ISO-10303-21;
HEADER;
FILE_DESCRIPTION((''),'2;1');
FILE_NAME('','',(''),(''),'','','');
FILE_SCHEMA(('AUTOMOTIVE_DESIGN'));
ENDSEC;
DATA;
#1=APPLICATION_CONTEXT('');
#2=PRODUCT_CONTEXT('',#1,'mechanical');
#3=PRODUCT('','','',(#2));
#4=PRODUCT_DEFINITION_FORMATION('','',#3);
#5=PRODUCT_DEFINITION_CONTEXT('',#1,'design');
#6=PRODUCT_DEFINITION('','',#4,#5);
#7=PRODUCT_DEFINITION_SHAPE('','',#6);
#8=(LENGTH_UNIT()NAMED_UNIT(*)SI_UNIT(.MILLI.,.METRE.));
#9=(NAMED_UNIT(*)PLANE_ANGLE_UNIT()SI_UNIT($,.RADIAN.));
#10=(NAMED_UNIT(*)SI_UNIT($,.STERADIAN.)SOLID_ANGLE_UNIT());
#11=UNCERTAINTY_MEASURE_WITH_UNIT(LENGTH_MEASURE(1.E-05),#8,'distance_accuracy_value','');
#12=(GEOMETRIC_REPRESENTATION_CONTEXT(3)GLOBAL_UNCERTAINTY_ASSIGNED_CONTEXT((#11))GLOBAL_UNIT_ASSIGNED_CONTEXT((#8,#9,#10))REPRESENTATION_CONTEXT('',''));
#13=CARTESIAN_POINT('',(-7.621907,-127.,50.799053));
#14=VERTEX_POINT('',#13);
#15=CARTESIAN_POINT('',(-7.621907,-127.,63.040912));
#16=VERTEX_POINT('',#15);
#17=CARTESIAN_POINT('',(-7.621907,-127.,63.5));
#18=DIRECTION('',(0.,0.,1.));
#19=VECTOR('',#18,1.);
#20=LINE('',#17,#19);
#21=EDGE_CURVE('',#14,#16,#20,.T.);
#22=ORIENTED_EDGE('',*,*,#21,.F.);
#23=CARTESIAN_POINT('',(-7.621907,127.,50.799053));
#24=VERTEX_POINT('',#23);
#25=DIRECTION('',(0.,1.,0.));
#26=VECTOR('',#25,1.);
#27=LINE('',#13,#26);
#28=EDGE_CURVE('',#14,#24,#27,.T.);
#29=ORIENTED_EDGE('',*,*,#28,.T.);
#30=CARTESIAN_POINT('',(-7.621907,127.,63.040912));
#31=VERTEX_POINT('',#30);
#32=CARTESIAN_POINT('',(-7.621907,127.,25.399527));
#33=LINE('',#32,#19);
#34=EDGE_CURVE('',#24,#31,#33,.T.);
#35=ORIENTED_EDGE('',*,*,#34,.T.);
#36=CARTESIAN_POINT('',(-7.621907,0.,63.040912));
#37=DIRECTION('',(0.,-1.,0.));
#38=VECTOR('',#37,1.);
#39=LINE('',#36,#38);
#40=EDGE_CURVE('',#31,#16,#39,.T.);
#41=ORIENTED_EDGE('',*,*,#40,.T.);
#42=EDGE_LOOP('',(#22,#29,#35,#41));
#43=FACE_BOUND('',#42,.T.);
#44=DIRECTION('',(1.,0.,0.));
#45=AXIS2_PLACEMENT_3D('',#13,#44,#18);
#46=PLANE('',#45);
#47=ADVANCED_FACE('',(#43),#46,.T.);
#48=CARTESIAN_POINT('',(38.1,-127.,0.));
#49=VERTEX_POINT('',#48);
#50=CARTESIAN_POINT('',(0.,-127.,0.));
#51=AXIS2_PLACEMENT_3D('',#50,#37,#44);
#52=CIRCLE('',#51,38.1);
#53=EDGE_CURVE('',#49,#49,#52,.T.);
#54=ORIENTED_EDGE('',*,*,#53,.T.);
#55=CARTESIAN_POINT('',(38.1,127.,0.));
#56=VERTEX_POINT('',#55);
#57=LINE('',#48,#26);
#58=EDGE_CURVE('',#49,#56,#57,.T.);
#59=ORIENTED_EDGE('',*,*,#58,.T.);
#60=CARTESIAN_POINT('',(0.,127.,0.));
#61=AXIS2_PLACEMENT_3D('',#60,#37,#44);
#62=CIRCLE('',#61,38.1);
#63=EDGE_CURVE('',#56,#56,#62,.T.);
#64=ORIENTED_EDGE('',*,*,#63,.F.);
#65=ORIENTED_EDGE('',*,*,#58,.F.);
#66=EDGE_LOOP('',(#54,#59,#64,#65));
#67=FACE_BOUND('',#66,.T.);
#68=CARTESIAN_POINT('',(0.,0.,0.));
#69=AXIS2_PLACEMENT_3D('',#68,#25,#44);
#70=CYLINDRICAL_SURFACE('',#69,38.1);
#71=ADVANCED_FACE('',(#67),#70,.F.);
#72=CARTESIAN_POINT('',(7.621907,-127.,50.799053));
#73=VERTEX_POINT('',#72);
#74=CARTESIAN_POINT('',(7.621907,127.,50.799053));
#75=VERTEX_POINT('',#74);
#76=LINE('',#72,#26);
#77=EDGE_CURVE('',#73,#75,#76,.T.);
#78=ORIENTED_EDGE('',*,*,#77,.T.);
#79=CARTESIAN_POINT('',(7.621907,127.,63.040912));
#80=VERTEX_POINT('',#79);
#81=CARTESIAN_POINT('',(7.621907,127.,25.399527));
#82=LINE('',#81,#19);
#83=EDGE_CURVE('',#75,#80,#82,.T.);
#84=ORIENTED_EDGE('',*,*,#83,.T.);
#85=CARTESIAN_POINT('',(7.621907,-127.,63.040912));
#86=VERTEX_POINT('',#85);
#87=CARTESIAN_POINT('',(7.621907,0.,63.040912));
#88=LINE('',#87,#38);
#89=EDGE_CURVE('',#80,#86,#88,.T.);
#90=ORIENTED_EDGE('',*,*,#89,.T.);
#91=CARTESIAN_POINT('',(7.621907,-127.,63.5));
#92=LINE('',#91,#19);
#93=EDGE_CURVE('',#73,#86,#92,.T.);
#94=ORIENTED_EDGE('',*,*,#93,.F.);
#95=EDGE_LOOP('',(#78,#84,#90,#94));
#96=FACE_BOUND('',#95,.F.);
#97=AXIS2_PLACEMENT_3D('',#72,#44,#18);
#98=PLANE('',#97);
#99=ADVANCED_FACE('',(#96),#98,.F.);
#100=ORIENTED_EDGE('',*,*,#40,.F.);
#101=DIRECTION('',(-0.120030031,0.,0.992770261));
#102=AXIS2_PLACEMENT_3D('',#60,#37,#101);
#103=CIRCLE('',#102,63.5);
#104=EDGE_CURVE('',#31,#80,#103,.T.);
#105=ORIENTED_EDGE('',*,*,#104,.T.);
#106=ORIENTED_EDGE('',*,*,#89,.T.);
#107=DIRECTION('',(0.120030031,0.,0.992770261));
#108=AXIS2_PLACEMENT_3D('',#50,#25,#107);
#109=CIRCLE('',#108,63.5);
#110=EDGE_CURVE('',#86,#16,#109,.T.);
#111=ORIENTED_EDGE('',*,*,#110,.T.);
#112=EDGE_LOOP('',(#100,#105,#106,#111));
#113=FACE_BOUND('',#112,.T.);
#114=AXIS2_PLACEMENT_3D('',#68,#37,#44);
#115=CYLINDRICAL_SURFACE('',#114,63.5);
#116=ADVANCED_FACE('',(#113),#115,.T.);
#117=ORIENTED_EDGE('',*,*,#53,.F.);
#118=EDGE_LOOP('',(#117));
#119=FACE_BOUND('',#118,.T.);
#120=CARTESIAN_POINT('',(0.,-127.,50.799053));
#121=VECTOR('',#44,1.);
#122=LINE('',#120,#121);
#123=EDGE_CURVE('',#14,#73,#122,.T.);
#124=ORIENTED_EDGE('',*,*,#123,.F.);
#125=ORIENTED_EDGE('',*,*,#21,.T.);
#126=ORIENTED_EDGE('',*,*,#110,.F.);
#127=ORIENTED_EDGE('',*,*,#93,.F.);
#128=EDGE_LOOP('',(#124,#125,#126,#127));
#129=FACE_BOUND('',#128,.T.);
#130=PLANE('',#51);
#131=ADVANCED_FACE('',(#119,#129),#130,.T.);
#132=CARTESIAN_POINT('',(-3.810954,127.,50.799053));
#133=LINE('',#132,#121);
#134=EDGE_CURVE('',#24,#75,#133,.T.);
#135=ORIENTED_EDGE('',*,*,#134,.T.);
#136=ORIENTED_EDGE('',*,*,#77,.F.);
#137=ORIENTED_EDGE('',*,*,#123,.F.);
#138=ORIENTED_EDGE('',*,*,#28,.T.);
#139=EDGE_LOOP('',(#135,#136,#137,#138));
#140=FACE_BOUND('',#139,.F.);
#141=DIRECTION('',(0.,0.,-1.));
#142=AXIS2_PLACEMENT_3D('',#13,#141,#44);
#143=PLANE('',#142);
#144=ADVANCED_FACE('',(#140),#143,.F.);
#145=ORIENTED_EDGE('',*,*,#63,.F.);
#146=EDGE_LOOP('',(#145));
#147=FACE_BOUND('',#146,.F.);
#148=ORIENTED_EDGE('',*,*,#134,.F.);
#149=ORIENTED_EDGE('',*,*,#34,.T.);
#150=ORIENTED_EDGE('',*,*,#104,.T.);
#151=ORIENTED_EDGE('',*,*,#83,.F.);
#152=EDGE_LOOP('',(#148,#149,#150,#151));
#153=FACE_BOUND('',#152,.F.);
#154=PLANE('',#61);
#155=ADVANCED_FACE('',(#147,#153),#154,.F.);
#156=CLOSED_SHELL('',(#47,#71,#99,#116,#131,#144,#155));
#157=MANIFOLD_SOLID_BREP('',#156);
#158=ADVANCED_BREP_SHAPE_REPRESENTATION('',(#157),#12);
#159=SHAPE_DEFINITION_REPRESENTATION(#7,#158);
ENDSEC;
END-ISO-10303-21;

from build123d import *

# Parameters (mm, degrees)
F0_R          = 63.5
F0_R_2        = 38.1
F1_DEPTH      = 127
F1_DEPTH_BACK = 127
F2_W          = 15.243814
F2_H          = 25.401894
F3_DEPTH      = 254.001


with BuildPart() as f1:
    # F0 (on Front) → F1 (new body, two sides)
    with BuildSketch(Plane.XZ) as f1_sk:
        Circle(F0_R)
        Circle(F0_R_2, mode=Mode.SUBTRACT)
    extrude(amount=F1_DEPTH)
    extrude(f1_sk.sketch, amount=-F1_DEPTH_BACK)

    # F2 (on face) → F3 (cut, through all)
    with BuildSketch(Plane.XZ.offset(127)):
        with Locations((0, 63.5)):
            Rectangle(F2_W, F2_H)
    extrude(amount=-F3_DEPTH, mode=Mode.SUBTRACT)


solid = f1.part
